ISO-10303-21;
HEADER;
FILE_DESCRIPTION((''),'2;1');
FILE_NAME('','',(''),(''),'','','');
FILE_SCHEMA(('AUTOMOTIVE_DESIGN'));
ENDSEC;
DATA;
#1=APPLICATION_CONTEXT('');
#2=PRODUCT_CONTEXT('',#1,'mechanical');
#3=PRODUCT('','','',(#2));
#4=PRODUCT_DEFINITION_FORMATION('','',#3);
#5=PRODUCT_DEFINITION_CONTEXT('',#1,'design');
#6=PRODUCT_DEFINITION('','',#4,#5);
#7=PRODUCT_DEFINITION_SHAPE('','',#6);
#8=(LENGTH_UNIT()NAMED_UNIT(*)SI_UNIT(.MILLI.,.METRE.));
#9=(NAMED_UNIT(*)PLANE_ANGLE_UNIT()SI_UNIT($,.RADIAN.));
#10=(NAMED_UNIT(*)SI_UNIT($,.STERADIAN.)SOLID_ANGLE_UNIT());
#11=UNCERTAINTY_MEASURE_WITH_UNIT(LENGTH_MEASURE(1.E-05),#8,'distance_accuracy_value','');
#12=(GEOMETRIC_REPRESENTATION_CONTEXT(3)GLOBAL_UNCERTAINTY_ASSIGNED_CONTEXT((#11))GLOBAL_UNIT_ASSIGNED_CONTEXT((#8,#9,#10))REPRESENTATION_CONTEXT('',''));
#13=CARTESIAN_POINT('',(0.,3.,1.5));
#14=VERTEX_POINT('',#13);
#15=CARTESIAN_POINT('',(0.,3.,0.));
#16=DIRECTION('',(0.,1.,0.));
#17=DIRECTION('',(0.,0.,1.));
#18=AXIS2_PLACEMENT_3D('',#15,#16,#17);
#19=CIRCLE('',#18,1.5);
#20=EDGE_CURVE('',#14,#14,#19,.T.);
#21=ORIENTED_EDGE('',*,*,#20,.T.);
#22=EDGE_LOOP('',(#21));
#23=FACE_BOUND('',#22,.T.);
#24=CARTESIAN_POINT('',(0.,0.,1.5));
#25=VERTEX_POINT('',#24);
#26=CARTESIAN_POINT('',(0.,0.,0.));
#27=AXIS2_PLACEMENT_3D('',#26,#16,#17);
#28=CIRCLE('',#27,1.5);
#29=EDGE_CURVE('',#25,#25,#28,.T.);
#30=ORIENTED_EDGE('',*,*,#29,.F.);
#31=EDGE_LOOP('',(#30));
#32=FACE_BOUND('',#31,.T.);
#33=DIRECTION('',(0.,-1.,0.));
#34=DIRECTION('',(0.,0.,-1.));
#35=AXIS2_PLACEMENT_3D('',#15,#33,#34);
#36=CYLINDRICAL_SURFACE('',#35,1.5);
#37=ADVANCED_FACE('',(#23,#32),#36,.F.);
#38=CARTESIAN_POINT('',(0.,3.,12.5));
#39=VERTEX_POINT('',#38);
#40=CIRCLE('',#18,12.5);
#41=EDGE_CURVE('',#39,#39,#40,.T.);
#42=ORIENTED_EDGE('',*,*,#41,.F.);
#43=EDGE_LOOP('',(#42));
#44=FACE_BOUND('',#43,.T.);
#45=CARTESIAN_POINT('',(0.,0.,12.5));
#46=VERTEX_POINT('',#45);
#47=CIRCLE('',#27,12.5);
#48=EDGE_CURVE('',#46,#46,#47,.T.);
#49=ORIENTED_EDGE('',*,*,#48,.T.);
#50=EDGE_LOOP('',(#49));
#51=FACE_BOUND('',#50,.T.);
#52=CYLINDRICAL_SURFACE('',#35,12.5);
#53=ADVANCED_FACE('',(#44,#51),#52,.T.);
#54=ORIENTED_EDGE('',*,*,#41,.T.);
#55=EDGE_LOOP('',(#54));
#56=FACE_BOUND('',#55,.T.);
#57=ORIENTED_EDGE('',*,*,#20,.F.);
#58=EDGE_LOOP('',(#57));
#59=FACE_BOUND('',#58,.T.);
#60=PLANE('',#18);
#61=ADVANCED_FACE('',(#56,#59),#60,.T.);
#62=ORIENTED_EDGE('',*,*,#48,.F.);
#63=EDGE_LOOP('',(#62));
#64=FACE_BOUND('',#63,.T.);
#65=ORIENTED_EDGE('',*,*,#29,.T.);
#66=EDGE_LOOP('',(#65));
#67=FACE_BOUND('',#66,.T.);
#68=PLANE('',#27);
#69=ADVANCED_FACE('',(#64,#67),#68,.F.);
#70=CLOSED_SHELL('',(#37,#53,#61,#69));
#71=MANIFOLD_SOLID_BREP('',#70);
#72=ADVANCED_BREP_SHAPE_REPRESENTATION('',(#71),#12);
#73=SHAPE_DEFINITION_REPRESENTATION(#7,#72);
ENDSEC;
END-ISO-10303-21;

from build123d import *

# Parameters (mm, degrees)
SCHIZZO1_R                   = 12.5
SCHIZZO1_R_2                 = 1.5
ESTRUSIONE_ESTRUSIONE1_DEPTH = 3


with BuildPart() as part:
    # Schizzo1 → Estrusione-Estrusione1 (new body)
    with BuildSketch(Plane(origin=(0, 0, 0), x_dir=(1, 0, 0), z_dir=(0, 1, 0))):
        with Locations(Location((0, 0, 0), (0, 0, 270))):
            Circle(SCHIZZO1_R)
        with Locations(Location((0, 0, 0), (0, 0, 270))):
            Circle(SCHIZZO1_R_2, mode=Mode.SUBTRACT)
    extrude(amount=ESTRUSIONE_ESTRUSIONE1_DEPTH)


solid = part.part
